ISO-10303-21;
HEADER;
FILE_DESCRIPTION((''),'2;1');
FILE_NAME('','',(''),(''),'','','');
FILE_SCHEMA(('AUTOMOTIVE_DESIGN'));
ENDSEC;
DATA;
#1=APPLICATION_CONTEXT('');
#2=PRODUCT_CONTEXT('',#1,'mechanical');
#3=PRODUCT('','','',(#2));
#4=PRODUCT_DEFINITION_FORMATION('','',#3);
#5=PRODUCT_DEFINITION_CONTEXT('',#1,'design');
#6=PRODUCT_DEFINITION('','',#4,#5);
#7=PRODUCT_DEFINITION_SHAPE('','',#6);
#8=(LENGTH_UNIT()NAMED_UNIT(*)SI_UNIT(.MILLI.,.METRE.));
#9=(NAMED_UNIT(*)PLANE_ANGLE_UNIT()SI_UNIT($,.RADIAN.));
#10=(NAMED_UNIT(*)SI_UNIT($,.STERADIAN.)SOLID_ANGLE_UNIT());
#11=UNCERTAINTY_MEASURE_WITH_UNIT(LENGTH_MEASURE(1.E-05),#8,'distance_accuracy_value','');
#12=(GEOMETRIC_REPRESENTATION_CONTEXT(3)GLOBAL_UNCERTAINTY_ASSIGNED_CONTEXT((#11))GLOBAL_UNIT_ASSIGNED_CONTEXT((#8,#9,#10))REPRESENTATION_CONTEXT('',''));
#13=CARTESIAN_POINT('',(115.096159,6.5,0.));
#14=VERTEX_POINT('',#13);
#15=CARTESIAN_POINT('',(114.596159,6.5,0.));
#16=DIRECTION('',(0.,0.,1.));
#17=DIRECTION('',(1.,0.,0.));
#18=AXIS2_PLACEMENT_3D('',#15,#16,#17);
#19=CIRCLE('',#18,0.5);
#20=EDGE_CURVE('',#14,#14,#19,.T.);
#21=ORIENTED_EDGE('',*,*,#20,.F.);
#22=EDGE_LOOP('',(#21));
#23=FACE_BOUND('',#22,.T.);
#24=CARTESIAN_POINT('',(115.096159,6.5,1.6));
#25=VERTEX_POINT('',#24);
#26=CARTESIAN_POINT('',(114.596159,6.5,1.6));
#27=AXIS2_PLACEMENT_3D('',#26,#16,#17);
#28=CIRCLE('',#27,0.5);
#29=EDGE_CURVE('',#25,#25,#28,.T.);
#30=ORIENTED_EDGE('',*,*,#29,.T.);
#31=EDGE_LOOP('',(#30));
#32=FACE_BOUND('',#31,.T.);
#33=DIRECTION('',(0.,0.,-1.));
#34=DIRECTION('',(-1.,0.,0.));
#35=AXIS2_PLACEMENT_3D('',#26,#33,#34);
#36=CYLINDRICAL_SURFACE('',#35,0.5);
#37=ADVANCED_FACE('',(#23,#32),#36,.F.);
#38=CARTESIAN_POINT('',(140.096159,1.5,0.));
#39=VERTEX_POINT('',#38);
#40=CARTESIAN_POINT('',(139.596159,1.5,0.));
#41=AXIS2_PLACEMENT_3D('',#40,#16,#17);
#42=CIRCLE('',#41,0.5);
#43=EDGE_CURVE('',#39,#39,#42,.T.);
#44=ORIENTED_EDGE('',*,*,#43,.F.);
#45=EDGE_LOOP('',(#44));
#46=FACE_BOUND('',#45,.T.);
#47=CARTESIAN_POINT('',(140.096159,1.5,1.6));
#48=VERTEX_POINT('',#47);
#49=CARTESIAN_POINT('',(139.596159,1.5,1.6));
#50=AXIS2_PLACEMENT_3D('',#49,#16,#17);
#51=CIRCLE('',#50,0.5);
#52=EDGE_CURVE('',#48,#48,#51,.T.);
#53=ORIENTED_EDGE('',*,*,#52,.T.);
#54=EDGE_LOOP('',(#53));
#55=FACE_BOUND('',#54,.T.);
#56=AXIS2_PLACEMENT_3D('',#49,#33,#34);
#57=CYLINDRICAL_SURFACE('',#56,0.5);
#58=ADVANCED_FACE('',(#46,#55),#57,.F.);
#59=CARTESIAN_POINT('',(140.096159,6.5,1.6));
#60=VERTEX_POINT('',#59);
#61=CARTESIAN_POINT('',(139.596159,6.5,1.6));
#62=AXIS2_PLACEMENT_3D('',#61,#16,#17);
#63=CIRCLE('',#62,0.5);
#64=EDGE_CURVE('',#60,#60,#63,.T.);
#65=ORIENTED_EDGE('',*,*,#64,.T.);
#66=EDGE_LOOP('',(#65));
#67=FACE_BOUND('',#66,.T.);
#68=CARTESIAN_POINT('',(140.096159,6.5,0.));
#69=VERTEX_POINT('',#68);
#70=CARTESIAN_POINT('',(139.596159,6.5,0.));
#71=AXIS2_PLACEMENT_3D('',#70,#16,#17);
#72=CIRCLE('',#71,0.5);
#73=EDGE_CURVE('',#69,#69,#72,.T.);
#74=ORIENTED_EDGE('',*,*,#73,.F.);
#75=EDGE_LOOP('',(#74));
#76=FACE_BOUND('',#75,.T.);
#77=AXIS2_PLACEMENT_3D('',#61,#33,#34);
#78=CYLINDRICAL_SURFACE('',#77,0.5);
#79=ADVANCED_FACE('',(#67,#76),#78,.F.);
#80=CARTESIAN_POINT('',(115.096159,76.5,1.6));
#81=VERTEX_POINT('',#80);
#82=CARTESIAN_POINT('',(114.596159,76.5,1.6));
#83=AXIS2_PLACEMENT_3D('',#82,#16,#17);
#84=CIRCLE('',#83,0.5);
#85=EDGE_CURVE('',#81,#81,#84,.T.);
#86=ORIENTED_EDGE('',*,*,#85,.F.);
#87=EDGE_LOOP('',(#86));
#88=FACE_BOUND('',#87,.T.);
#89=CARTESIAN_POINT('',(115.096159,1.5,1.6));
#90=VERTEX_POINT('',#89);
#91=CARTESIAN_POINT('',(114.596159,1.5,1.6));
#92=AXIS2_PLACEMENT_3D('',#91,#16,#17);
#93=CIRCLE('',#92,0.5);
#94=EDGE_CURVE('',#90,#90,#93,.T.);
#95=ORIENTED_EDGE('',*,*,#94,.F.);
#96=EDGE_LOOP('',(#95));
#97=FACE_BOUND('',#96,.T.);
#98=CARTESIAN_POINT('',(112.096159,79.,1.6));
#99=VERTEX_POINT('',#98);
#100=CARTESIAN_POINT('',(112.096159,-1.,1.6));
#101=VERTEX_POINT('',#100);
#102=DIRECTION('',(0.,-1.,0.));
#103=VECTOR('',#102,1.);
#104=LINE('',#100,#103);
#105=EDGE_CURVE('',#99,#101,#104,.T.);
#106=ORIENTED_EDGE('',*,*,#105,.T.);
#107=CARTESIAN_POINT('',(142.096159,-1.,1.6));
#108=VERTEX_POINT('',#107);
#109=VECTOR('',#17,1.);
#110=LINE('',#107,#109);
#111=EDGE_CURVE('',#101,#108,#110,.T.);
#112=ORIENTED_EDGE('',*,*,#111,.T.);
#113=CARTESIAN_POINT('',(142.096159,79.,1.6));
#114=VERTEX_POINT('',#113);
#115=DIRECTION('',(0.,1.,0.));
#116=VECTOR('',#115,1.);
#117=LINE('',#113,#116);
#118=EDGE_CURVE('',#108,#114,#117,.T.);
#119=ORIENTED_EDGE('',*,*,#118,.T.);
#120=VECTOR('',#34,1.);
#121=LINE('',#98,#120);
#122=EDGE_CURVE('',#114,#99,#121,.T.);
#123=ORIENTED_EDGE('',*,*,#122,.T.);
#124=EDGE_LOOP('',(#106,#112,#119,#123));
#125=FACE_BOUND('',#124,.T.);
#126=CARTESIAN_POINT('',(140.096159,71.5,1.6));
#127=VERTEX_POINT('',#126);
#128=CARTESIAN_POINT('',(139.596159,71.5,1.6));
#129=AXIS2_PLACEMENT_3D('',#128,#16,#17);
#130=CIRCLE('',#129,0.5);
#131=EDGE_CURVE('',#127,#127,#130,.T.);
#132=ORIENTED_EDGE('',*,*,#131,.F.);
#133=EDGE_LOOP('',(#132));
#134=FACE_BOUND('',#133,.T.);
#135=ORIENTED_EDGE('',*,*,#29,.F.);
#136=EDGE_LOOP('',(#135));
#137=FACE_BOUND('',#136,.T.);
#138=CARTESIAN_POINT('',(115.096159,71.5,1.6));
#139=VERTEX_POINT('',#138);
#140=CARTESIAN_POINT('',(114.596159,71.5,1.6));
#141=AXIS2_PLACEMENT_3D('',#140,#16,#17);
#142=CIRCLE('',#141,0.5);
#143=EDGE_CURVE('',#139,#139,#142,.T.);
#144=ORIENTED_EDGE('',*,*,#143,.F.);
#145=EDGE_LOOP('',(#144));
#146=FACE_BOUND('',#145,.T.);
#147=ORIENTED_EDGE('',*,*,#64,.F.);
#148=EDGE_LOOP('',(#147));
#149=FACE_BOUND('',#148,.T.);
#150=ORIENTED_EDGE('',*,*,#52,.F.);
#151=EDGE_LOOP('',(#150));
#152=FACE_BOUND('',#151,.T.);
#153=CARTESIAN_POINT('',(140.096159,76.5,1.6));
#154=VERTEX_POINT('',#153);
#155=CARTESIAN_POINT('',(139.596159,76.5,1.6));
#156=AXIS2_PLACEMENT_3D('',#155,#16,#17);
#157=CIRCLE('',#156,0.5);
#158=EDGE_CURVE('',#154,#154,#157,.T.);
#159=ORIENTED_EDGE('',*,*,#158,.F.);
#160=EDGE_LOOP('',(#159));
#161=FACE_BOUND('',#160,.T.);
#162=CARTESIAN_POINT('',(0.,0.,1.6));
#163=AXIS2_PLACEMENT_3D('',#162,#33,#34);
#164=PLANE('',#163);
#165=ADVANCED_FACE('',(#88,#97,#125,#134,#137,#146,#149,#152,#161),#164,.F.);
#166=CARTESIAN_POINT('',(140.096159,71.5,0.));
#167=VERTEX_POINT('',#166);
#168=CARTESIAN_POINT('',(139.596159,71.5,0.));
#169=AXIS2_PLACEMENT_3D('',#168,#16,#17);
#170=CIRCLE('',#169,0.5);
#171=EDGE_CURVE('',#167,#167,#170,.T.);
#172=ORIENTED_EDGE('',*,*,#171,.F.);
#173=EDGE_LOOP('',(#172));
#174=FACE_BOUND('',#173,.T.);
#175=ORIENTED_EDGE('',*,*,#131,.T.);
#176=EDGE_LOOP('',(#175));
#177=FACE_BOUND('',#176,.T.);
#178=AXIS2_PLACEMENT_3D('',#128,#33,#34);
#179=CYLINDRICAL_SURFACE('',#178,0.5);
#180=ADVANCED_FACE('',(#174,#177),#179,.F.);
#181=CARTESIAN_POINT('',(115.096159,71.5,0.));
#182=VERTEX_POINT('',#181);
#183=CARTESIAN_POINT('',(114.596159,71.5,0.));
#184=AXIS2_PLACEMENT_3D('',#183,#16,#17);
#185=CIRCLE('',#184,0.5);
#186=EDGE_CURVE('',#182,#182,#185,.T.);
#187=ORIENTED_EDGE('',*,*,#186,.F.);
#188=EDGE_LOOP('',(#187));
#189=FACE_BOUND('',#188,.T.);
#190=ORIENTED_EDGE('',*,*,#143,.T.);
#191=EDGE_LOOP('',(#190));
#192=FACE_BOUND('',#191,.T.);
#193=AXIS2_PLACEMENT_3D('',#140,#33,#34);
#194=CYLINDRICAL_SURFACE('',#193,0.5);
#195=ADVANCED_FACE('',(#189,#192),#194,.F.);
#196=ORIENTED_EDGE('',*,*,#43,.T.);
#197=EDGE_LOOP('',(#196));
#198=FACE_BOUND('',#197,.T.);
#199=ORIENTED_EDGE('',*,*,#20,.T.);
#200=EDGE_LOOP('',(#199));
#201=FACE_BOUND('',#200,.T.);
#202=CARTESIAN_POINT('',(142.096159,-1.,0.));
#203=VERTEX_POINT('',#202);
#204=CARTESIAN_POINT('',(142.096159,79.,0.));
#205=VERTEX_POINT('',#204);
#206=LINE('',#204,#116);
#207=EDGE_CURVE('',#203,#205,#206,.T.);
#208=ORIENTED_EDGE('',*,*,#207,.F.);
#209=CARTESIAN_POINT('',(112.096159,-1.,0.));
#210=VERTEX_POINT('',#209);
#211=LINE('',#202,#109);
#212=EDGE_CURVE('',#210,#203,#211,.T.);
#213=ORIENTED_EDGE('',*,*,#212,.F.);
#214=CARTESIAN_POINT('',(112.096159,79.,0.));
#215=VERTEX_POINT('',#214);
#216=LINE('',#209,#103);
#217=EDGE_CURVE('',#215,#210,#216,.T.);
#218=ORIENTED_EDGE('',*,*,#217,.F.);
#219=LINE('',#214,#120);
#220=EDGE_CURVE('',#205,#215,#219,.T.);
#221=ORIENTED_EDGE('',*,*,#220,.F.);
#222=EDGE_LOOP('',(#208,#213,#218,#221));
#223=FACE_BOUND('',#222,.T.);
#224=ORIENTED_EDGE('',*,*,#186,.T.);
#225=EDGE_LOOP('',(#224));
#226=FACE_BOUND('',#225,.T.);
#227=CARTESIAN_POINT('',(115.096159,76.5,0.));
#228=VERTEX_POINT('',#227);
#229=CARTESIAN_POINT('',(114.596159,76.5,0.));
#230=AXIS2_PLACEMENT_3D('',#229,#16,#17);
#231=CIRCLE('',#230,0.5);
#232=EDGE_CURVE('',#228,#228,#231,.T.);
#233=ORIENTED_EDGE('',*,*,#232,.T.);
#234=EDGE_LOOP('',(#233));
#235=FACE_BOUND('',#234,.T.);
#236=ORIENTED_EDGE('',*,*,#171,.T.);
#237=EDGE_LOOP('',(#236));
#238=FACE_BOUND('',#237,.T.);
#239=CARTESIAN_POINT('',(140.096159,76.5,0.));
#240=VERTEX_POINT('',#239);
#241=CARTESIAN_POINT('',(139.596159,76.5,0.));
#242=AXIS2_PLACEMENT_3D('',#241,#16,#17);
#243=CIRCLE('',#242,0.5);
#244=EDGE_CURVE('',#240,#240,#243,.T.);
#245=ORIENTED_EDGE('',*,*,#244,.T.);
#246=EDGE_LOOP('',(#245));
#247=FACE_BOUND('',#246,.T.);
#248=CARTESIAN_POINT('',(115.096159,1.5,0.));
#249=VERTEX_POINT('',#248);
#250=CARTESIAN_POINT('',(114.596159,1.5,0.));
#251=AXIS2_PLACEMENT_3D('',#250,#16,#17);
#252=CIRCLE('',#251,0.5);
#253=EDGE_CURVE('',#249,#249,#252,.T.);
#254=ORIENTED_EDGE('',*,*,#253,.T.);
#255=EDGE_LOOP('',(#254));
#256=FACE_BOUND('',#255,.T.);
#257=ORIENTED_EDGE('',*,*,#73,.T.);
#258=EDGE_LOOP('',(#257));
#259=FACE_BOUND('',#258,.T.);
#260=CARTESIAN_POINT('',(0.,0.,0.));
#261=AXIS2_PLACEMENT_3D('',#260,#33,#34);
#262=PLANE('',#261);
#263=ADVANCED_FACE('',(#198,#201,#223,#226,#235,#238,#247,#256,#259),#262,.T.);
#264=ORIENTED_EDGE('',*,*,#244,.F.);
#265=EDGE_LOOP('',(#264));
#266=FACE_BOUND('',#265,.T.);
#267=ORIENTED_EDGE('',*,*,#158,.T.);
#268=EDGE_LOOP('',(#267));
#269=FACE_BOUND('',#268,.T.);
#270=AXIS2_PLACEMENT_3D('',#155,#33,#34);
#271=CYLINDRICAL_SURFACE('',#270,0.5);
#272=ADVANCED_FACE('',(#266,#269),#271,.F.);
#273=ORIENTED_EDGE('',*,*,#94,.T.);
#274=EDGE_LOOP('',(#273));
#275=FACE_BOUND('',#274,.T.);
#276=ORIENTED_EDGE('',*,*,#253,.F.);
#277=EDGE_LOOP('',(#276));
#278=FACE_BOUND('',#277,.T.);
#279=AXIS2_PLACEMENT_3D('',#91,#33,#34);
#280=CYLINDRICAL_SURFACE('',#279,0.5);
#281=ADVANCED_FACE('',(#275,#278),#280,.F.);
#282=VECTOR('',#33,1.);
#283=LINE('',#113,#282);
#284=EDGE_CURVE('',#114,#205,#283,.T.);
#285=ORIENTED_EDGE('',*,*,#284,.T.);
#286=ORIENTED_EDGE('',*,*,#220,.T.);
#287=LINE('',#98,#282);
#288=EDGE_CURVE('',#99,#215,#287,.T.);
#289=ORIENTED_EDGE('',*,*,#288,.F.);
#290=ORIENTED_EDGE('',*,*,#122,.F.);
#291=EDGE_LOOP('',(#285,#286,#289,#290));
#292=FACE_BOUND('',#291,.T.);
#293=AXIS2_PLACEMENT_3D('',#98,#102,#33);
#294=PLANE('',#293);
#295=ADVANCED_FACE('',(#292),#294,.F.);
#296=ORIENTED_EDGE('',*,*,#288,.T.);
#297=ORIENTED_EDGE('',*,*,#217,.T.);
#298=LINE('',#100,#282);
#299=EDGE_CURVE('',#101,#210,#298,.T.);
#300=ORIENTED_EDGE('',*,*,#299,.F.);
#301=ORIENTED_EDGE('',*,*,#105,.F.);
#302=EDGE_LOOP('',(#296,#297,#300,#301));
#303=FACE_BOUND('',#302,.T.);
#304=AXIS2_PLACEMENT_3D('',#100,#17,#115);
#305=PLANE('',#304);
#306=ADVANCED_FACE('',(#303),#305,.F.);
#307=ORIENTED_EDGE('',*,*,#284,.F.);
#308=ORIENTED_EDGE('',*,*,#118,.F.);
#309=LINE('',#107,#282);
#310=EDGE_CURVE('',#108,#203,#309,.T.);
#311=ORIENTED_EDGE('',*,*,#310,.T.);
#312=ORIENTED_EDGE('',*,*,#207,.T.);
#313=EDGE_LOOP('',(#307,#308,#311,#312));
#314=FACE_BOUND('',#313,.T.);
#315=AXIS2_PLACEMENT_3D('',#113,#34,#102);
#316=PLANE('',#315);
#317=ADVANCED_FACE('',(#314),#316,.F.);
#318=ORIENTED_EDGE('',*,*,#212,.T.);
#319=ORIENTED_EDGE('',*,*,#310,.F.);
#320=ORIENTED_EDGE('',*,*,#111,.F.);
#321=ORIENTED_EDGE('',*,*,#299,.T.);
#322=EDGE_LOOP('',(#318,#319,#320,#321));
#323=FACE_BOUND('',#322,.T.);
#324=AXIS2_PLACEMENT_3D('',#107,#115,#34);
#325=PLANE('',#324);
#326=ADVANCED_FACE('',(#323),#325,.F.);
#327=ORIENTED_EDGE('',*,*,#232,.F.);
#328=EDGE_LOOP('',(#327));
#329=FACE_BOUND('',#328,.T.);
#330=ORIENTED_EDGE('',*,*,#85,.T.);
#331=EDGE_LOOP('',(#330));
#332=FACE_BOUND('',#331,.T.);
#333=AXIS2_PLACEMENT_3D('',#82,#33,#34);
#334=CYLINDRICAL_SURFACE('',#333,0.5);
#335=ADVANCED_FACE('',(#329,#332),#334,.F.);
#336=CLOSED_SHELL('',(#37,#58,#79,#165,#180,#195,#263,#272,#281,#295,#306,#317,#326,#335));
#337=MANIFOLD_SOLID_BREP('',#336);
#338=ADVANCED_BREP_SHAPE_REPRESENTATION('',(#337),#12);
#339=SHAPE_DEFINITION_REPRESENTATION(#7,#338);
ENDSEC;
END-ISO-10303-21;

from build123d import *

# Parameters (mm, degrees)
MODEL_W             = 30
MODEL_H             = 80
MODEL_R             = 0.5
BOSS_EXTRUDE1_DEPTH = 1.6


with BuildPart() as part:
    # Model → Boss-Extrude1 (new body)
    with BuildSketch(Plane.XY):
        with Locations((127.096158615, 38.999999611)):
            Rectangle(MODEL_W, MODEL_H)
        with Locations((114.596158615, 6.499999611)):
            Circle(MODEL_R, mode=Mode.SUBTRACT)
        with Locations((114.596158615, 71.499999611)):
            Circle(MODEL_R, mode=Mode.SUBTRACT)
        with Locations((139.596158615, 6.499999611)):
            Circle(MODEL_R, mode=Mode.SUBTRACT)
        with Locations((139.596158615, 71.499999611)):
            Circle(MODEL_R, mode=Mode.SUBTRACT)
        with Locations((114.596158615, 76.499999611)):
            Circle(MODEL_R, mode=Mode.SUBTRACT)
        with Locations((139.596158615, 76.499999611)):
            Circle(MODEL_R, mode=Mode.SUBTRACT)
        with Locations((114.596158615, 1.499999611)):
            Circle(MODEL_R, mode=Mode.SUBTRACT)
        with Locations((139.596158615, 1.499999611)):
            Circle(MODEL_R, mode=Mode.SUBTRACT)
    extrude(amount=BOSS_EXTRUDE1_DEPTH)


solid = part.part
